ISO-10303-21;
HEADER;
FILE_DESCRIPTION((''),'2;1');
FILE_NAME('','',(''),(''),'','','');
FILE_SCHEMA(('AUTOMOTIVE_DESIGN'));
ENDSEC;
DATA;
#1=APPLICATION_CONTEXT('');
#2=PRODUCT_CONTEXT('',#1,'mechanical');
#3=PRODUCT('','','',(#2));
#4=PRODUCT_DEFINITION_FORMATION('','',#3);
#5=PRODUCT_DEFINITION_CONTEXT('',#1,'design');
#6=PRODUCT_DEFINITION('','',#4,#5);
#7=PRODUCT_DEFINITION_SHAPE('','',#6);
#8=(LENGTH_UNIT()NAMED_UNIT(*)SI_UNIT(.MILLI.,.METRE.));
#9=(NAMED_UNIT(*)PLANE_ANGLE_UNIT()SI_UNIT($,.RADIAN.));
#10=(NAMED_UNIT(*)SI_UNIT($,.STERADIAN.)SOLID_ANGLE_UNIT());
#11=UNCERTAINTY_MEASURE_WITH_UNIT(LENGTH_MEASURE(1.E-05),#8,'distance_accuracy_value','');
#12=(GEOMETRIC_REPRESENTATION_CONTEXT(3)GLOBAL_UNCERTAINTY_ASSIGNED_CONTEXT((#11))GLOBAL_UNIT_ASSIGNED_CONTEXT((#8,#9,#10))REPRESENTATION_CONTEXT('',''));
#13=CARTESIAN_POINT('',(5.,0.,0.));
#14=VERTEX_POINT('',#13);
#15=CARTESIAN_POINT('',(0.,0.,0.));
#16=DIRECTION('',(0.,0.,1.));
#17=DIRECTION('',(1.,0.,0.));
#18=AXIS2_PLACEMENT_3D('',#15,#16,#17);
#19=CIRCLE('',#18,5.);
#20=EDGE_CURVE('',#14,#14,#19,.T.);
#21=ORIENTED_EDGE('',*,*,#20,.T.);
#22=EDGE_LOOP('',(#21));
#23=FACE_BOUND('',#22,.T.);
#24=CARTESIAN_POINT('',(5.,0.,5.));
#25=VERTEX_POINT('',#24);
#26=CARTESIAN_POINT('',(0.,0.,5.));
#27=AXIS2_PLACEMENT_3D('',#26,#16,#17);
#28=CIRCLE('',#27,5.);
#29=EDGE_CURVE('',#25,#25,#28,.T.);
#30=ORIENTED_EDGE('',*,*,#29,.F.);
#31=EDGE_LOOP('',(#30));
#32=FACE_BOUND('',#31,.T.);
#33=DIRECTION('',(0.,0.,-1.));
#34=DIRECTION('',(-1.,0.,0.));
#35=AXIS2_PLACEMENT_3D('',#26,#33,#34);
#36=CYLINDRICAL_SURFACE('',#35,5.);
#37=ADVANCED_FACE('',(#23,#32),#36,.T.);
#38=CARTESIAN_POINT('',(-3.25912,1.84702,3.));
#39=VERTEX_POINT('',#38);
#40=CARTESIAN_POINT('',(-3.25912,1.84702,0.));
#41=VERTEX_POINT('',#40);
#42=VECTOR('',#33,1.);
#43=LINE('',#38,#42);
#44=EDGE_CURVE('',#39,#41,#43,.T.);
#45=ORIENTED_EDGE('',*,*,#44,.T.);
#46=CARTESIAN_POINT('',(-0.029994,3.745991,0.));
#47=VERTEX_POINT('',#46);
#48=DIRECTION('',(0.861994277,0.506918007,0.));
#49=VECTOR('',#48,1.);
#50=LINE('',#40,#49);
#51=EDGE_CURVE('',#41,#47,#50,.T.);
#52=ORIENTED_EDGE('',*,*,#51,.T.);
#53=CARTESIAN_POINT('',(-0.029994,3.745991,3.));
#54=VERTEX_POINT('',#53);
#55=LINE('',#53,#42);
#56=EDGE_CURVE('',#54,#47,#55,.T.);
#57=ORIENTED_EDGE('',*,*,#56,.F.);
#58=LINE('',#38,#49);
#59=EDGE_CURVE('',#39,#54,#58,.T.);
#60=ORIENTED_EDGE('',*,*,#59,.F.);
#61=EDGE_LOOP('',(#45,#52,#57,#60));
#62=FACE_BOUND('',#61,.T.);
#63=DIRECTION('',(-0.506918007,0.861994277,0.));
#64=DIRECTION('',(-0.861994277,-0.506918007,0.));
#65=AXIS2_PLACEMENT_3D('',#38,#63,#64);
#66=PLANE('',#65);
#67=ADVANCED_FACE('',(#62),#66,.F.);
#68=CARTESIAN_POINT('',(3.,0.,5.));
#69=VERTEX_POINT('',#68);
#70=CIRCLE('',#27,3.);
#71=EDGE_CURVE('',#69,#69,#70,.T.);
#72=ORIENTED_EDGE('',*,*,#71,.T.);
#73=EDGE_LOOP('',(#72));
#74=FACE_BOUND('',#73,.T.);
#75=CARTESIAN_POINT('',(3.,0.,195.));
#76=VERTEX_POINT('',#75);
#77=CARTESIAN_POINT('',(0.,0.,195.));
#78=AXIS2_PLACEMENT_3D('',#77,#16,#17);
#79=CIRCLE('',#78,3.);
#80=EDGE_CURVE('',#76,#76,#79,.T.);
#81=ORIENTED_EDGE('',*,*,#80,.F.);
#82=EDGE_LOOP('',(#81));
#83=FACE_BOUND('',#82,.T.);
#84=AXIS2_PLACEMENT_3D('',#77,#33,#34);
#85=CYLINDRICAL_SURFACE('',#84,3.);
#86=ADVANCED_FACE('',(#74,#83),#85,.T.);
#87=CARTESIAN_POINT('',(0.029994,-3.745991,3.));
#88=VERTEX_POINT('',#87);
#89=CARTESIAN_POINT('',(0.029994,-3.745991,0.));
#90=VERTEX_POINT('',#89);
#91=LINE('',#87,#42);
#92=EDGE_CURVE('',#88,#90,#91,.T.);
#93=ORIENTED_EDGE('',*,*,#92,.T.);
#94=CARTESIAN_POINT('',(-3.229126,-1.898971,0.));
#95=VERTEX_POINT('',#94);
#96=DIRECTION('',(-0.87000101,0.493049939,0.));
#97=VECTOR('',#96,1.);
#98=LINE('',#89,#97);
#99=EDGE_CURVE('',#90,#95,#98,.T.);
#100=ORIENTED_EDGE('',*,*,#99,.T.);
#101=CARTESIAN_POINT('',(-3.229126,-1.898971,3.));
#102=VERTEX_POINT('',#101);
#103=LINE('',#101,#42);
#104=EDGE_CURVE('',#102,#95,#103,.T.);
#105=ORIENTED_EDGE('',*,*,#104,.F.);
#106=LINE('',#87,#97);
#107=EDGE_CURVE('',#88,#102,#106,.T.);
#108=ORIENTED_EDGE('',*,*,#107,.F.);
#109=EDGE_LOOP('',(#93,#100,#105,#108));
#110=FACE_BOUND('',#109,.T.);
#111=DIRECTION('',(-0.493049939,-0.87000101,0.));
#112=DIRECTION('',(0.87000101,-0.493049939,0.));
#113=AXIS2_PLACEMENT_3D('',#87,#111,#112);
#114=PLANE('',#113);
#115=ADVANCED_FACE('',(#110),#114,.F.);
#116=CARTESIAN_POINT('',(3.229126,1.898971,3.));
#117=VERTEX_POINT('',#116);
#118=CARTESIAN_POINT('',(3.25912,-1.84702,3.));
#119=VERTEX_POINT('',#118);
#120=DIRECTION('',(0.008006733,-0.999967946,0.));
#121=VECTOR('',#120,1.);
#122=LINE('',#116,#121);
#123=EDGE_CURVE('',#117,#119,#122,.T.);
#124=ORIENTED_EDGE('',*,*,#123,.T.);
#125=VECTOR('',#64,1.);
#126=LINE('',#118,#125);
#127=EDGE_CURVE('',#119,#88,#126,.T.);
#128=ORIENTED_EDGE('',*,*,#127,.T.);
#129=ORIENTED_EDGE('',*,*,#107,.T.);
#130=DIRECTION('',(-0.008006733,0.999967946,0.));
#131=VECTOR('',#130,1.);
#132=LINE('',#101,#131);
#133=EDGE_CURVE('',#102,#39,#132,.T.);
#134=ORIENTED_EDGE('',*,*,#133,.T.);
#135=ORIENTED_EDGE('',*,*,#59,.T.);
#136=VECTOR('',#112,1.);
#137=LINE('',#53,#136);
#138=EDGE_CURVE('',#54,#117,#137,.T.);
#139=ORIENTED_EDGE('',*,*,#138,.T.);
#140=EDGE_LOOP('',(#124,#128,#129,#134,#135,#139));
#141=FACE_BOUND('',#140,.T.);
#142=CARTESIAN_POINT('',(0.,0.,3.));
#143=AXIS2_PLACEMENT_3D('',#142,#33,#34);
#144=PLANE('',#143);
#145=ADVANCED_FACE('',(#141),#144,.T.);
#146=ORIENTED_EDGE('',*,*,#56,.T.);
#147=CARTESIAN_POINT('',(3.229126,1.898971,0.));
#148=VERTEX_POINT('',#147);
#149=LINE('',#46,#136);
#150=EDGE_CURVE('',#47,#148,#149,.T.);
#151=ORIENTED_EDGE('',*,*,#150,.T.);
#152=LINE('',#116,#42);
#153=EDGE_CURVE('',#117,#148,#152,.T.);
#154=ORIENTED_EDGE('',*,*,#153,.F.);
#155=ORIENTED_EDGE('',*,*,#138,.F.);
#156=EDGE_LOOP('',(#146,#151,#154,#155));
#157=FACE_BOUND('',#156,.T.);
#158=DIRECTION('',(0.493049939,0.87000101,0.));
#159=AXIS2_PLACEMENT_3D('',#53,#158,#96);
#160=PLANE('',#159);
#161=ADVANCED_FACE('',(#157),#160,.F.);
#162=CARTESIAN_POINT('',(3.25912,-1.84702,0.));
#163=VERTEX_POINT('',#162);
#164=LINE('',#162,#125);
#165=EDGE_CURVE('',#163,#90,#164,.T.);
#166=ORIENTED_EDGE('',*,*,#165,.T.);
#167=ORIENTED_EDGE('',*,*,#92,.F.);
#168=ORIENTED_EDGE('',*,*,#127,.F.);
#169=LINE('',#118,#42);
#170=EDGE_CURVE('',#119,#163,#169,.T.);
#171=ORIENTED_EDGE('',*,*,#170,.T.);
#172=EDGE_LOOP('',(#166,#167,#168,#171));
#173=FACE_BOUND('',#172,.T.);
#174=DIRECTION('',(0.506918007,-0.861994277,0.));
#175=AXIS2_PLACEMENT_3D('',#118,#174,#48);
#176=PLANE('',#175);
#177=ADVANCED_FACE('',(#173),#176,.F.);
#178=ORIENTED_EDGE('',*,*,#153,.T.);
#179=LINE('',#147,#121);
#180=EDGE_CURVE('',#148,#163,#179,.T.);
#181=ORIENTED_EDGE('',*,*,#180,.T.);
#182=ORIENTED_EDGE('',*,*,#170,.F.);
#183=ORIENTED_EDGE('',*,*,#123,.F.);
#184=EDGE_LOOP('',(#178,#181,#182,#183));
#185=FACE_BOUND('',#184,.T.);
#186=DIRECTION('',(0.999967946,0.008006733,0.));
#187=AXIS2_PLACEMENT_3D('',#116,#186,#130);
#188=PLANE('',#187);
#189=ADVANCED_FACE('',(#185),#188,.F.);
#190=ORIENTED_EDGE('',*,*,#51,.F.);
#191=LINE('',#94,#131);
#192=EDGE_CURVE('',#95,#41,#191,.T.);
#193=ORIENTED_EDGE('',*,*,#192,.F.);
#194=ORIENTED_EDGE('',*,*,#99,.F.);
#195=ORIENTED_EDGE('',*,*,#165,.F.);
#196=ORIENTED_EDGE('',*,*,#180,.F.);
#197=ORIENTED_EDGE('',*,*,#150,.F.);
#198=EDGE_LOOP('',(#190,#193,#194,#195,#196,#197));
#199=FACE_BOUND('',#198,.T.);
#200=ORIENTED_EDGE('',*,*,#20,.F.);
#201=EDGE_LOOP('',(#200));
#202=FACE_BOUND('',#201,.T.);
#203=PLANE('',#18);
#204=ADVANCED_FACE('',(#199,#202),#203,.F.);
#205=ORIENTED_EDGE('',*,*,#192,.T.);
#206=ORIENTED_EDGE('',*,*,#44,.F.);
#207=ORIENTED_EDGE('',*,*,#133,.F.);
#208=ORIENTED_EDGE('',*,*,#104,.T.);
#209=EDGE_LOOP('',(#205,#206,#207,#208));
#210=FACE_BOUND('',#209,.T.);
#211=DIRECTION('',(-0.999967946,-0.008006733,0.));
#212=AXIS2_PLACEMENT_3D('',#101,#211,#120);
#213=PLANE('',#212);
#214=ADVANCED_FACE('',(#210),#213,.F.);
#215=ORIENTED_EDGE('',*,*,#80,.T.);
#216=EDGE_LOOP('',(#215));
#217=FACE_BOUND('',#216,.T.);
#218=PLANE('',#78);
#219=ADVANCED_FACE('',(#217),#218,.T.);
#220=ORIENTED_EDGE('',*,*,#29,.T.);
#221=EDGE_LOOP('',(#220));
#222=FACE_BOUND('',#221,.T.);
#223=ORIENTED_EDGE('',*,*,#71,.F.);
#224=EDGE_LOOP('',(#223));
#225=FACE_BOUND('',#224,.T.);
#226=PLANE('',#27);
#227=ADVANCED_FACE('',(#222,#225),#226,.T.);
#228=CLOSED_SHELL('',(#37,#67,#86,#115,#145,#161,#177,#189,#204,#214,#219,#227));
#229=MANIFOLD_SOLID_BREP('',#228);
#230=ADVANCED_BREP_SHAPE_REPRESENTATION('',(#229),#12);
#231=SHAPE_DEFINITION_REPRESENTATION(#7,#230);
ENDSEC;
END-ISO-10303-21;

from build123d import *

# Parameters (mm, degrees)
SKETCH2_R           = 5
BOSS_EXTRUDE2_DEPTH = 5
CUT_EXTRUDE2_DEPTH  = 3
SKETCH6_R           = 3
BOSS_EXTRUDE3_DEPTH = 190


with BuildPart() as part:
    # Sketch2 → Boss-Extrude2 (new body)
    with BuildSketch(Plane.XY):
        Circle(SKETCH2_R)
    extrude(amount=BOSS_EXTRUDE2_DEPTH)

    # Sketch5 → Cut-Extrude2 (cut)
    with BuildSketch(Plane(origin=(0, 0, 0), x_dir=(-1, 0, 0), z_dir=(0, 0, -1))):
        Polygon((-3.229126368, 1.898971194), (-3.259120479, -1.847019869), (-0.029994111, -3.745991063), (3.229126368, -1.898971194), (3.259120479, 1.847019869), (0.029994111, 3.745991063), align=None)
    extrude(amount=-CUT_EXTRUDE2_DEPTH, mode=Mode.SUBTRACT)

    # Sketch6 → Boss-Extrude3 (add)
    with BuildSketch(Plane.XY.offset(5)):
        Circle(SKETCH6_R)
    extrude(amount=BOSS_EXTRUDE3_DEPTH)


solid = part.part
